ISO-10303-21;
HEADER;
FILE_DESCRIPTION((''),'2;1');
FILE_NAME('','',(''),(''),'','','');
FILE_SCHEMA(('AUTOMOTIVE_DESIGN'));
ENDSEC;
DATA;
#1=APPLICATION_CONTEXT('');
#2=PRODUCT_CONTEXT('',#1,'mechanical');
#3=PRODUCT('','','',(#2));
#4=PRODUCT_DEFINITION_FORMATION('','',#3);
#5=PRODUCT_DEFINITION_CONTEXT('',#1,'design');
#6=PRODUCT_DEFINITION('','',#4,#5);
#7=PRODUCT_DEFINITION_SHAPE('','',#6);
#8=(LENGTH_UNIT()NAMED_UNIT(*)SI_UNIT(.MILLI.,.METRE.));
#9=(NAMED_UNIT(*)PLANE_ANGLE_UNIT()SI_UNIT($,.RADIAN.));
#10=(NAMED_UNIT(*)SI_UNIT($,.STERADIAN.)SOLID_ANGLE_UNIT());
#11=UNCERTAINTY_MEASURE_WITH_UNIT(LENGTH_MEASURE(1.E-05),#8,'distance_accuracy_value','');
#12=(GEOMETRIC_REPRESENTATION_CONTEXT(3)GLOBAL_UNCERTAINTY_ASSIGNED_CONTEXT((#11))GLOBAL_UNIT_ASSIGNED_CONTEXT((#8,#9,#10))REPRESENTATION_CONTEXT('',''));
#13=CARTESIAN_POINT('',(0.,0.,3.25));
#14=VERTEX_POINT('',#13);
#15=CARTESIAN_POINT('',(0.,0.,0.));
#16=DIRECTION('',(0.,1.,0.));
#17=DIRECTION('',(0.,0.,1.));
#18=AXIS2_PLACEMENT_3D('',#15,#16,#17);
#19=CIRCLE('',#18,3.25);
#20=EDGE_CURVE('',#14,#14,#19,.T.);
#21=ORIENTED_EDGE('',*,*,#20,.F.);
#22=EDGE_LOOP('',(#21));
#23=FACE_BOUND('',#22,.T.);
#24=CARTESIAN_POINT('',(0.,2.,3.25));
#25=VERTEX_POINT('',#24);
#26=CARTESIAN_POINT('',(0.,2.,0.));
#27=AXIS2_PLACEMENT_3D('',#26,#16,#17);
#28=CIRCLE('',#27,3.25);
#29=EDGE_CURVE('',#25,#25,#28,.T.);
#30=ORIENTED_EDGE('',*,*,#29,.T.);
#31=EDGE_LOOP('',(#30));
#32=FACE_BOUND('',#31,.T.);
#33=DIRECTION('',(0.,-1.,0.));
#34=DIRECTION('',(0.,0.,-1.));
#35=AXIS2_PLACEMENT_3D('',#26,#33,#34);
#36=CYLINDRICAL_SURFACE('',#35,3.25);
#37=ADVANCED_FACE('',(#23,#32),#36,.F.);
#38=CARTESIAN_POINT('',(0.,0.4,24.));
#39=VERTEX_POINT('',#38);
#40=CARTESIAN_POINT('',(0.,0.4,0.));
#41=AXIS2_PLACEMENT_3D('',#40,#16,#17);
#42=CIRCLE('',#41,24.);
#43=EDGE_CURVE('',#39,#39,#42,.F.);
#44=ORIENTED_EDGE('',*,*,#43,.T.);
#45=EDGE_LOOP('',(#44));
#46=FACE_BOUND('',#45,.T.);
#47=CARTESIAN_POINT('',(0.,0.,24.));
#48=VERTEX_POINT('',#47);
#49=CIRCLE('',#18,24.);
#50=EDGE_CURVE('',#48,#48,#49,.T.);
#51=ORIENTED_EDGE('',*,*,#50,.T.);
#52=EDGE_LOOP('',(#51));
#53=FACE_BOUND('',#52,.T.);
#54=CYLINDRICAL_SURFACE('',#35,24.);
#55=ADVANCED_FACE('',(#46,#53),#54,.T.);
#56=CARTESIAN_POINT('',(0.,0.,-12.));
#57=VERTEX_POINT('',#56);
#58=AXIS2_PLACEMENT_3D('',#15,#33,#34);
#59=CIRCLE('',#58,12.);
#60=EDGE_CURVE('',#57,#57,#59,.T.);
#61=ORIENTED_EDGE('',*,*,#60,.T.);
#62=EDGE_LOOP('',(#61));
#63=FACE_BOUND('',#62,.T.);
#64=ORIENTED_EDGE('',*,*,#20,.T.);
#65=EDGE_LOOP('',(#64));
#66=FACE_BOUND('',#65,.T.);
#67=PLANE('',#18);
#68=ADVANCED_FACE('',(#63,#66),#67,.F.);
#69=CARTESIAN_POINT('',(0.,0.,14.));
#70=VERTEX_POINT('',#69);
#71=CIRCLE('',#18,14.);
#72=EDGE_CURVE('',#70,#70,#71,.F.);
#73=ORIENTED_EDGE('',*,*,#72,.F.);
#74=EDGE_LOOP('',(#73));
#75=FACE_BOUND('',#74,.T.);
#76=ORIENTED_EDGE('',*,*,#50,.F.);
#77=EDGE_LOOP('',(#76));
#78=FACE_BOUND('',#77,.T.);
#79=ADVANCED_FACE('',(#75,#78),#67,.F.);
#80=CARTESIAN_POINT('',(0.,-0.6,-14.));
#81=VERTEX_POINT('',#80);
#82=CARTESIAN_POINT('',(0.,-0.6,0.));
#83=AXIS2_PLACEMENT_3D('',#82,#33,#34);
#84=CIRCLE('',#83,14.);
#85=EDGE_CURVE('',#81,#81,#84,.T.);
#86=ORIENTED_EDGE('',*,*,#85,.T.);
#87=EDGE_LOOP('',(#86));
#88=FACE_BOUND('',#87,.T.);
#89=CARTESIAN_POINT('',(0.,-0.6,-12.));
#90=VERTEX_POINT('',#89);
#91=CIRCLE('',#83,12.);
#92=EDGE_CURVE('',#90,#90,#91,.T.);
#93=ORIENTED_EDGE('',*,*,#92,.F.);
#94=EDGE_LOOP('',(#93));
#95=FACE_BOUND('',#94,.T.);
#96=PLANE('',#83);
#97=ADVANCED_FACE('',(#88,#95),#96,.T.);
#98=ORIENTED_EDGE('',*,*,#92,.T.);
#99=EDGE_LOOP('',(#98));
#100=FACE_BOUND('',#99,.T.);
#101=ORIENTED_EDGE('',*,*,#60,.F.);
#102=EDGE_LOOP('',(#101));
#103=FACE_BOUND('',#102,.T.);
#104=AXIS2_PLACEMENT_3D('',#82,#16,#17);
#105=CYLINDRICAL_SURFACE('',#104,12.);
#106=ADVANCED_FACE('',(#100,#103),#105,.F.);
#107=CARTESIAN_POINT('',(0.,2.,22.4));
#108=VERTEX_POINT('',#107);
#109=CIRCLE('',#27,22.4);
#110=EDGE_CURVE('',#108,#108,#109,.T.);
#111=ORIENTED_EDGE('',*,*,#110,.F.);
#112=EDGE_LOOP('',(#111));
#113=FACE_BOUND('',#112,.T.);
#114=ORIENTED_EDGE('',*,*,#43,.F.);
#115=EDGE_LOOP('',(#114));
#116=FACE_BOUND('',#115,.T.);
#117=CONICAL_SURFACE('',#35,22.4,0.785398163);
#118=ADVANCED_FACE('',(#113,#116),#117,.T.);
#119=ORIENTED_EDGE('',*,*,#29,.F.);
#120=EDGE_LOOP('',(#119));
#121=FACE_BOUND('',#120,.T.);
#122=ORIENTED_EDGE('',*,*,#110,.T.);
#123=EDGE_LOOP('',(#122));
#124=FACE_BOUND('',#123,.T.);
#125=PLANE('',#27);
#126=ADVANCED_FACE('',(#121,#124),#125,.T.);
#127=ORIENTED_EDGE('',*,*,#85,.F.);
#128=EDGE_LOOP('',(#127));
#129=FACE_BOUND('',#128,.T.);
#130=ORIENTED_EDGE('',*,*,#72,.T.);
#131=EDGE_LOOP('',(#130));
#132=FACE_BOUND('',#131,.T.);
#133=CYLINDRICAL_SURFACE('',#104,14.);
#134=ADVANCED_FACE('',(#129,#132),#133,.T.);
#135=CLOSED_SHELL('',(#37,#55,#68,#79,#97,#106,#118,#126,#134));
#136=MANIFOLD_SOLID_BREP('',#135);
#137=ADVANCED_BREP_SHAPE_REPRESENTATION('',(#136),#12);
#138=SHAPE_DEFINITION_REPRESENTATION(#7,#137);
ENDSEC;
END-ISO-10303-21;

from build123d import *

# Parameters (mm, degrees)
SKIZZE1_R                       = 24
SKIZZE1_R_2                     = 3.25
AUFSATZ_LINEAR_AUSTRAGEN1_DEPTH = 2
FASE1_SIZE                      = 1.6
SKIZZE2_R                       = 14
SKIZZE2_R_2                     = 12
AUFSATZ_LINEAR_AUSTRAGEN2_DEPTH = 0.6


with BuildPart() as part:
    # Skizze1 → Aufsatz-Linear austragen1 (new body)
    with BuildSketch(Plane(origin=(0, 0, 0), x_dir=(1, 0, 0), z_dir=(0, 1, 0))):
        with Locations(Location((0, 0, 0), (0, 0, 270))):
            Circle(SKIZZE1_R)
        with Locations(Location((0, 0, 0), (0, 0, 270))):
            Circle(SKIZZE1_R_2, mode=Mode.SUBTRACT)
    extrude(amount=AUFSATZ_LINEAR_AUSTRAGEN1_DEPTH)

    # Fase1
    fase1_edges = [part.edges().sort_by_distance(p)[0] for p in [
        (0, 2, -24),
    ]]
    chamfer(fase1_edges, length=FASE1_SIZE)

    # Skizze2 → Aufsatz-Linear austragen2 (add)
    with BuildSketch(Plane.XZ):
        with Locations(Location((0, 0, 0), (0, 0, 90))):
            Circle(SKIZZE2_R)
        with Locations(Location((0, 0, 0), (0, 0, 270))):
            Circle(SKIZZE2_R_2, mode=Mode.SUBTRACT)
    extrude(amount=AUFSATZ_LINEAR_AUSTRAGEN2_DEPTH)


solid = part.part
